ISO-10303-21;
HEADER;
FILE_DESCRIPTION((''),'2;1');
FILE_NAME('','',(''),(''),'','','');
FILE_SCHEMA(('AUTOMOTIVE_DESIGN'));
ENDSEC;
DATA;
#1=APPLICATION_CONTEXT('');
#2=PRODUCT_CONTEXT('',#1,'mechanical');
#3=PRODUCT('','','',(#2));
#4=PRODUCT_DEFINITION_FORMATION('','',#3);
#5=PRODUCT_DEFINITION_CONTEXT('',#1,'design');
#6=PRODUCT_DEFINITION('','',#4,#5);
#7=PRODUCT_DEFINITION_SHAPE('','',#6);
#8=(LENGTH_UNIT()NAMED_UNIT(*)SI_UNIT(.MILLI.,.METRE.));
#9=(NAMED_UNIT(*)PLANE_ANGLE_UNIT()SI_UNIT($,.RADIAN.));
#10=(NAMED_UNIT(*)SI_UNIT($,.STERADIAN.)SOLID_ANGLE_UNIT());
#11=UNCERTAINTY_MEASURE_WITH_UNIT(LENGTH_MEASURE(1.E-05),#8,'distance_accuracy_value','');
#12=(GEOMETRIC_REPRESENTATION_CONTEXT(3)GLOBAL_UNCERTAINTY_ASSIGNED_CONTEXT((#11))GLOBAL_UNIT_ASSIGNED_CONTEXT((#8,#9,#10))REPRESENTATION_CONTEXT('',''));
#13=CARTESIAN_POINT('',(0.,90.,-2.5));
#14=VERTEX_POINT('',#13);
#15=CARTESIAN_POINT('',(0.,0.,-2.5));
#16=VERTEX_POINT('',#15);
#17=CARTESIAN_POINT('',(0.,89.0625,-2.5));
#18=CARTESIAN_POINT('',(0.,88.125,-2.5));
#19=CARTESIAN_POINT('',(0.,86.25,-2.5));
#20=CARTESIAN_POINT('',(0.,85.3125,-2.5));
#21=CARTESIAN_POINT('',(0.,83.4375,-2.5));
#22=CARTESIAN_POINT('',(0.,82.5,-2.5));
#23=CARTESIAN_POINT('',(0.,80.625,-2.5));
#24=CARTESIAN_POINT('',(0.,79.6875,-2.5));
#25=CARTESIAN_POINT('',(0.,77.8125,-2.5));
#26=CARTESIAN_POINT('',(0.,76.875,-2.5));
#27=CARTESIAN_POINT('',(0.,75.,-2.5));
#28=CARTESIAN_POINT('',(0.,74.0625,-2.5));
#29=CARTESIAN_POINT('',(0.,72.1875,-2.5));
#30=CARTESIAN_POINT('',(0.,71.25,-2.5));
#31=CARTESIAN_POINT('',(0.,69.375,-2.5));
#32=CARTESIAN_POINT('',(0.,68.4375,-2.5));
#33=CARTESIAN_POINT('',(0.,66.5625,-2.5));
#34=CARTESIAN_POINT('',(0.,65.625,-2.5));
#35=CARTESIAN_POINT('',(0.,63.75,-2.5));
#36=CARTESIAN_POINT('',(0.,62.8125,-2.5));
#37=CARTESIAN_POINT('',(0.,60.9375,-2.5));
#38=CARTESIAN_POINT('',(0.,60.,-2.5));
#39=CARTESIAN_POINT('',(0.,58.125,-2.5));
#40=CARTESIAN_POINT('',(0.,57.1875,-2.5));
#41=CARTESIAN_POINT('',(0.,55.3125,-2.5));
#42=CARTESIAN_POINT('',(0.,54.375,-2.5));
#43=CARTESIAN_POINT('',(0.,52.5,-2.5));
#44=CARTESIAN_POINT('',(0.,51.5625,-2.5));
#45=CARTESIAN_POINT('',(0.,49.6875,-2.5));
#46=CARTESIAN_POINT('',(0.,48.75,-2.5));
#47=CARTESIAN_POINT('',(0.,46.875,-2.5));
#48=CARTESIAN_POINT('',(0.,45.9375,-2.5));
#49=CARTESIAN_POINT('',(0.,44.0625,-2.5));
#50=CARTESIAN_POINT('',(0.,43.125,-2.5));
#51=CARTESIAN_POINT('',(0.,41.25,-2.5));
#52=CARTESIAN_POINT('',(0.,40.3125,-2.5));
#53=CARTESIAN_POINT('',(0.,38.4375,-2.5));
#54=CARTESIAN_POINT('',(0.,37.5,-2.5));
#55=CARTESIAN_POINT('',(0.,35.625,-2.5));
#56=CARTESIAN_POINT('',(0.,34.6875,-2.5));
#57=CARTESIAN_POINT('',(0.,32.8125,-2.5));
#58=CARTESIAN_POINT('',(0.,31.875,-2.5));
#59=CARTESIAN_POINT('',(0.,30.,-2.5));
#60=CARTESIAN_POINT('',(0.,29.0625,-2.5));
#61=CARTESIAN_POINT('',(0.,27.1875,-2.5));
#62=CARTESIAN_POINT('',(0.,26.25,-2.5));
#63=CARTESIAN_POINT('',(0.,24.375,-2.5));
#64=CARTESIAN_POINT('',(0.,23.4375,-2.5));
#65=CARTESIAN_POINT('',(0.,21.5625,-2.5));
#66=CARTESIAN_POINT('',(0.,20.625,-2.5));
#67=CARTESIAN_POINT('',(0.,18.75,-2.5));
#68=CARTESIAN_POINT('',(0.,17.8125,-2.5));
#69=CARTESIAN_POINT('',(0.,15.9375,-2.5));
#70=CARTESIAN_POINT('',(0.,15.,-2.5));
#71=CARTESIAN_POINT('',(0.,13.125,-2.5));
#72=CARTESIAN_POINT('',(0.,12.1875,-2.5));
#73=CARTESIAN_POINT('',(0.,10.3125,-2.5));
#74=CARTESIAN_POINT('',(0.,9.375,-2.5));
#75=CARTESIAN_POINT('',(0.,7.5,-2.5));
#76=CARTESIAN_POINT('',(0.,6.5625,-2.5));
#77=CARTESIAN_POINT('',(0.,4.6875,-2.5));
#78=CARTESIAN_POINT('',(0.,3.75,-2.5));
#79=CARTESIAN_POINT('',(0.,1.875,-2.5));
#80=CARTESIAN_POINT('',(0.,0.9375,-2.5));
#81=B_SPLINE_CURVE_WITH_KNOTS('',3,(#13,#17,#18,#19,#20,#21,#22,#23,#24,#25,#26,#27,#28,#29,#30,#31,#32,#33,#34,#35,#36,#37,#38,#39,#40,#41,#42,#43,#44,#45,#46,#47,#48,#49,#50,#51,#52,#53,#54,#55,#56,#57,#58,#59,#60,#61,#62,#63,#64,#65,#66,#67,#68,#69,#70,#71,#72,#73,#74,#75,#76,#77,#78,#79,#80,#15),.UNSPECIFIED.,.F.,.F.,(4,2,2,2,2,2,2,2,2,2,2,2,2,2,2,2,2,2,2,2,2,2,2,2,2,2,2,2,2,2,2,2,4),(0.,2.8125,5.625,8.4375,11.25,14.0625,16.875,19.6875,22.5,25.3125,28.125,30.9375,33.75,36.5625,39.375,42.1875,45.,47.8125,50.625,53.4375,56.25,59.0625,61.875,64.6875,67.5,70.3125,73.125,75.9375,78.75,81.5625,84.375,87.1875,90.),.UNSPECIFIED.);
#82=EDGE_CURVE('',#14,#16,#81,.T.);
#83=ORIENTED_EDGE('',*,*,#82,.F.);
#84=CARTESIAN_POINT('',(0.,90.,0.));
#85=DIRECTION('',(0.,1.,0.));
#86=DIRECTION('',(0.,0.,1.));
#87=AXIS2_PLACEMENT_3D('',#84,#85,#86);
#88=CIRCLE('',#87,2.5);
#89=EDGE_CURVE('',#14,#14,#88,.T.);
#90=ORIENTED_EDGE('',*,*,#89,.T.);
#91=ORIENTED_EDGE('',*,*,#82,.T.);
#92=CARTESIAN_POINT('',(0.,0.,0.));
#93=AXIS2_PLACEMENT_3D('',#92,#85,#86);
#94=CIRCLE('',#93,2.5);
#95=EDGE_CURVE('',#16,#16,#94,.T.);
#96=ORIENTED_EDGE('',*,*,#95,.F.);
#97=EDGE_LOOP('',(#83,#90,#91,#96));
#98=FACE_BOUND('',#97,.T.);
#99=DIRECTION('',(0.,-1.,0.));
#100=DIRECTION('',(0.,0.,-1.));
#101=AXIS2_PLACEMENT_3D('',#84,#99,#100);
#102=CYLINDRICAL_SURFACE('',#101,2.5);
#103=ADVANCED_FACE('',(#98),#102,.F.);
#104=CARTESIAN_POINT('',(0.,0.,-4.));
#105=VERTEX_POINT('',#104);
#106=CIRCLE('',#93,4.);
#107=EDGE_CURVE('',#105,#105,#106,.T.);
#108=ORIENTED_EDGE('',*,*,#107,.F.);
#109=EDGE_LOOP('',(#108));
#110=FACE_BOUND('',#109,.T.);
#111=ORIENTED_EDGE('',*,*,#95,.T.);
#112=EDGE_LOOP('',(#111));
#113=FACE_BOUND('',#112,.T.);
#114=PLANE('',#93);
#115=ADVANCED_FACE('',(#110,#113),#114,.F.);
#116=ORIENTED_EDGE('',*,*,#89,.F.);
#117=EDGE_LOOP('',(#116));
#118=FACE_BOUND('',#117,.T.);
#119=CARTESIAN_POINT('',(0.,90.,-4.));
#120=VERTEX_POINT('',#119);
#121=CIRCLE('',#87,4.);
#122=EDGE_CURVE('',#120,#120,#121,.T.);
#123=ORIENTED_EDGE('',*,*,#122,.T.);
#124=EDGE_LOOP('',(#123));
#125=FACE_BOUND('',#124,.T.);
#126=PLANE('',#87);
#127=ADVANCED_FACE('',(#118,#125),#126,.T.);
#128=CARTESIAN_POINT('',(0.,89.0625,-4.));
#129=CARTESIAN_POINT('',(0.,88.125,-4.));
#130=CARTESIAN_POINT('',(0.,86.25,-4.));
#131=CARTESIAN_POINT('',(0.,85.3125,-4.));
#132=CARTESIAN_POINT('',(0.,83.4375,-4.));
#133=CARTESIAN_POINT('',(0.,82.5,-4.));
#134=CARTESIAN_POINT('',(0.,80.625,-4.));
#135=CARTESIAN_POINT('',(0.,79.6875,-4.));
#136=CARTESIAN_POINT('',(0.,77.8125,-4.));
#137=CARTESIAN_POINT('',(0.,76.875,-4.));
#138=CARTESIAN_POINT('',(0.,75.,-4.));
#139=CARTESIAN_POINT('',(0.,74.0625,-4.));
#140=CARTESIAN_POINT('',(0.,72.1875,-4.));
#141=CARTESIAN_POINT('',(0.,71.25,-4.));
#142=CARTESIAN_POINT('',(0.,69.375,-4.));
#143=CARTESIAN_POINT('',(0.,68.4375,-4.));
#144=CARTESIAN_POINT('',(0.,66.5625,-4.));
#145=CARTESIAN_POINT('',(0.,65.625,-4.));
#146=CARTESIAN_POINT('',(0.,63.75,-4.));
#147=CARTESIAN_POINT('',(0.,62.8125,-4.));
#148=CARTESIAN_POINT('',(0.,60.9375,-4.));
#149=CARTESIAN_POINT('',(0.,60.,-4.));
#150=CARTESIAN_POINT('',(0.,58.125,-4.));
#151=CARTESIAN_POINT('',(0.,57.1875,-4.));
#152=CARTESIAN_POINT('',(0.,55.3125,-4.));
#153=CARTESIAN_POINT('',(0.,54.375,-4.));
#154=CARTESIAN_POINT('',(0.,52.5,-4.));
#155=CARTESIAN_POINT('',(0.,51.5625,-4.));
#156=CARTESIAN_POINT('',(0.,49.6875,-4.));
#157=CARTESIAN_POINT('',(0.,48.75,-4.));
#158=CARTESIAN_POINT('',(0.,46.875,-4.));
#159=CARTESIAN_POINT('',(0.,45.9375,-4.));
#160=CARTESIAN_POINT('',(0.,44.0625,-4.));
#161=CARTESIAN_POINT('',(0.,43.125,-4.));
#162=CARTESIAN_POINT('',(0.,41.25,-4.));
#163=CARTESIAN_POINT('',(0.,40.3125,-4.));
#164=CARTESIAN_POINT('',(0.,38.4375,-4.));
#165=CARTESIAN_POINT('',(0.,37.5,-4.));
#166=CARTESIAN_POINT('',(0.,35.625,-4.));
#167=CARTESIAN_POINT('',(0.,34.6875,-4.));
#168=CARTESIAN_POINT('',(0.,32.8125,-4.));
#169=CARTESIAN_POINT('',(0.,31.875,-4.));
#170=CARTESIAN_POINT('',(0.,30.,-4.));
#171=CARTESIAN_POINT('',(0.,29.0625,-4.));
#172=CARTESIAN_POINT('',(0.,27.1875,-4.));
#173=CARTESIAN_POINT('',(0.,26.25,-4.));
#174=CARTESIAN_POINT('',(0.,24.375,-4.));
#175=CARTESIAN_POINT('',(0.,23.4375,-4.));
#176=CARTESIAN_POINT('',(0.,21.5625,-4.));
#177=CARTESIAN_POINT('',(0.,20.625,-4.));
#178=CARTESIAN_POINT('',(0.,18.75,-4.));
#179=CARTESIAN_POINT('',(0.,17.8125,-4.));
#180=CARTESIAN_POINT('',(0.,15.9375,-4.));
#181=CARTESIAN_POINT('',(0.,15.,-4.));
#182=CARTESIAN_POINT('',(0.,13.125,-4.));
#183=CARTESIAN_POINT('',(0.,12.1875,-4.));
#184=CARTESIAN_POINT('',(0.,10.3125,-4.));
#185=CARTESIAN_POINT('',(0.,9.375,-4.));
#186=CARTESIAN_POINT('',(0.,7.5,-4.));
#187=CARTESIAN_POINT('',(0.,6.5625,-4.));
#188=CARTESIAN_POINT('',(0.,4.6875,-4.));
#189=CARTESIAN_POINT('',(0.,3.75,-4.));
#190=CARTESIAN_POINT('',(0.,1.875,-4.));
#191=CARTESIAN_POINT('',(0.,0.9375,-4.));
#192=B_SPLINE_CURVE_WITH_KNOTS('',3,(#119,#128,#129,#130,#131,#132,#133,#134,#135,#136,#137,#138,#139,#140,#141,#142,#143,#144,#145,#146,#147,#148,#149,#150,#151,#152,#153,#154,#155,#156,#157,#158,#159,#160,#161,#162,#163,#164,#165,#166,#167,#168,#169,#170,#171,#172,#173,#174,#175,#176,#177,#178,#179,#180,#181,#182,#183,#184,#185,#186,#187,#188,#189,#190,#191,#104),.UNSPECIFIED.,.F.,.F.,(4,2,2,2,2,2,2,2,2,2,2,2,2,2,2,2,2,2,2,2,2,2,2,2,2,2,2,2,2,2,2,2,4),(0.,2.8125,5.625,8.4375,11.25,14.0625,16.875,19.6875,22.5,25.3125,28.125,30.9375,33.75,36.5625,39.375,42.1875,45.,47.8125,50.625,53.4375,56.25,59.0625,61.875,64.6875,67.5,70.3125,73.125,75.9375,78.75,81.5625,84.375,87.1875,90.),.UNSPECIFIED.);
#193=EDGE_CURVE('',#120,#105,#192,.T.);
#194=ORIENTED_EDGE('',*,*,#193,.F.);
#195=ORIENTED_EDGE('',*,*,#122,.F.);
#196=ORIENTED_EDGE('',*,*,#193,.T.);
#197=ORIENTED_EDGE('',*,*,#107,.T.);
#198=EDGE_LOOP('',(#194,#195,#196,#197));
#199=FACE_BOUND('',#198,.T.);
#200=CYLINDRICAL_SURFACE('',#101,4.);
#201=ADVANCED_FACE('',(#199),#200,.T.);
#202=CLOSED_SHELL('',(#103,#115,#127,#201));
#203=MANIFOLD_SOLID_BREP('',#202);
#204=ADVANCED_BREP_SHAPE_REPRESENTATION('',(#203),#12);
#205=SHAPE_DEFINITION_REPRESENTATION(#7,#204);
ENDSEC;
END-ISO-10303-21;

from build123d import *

# Parameters (mm, degrees)
SZKIC1_R                    = 4
SZKIC1_R_2                  = 2.5
DODANIE_WYCI_GNI_CIE1_DEPTH = 90


with BuildPart() as part:
    # Szkic1 → Dodanie-wyciągnięcie1 (new body)
    with BuildSketch(Plane(origin=(0, 0, 0), x_dir=(1, 0, 0), z_dir=(0, 1, 0))):
        with Locations(Location((0, 0, 0), (0, 0, 90))):
            Circle(SZKIC1_R)
        with Locations(Location((0, 0, 0), (0, 0, 90))):
            Circle(SZKIC1_R_2, mode=Mode.SUBTRACT)
    extrude(amount=DODANIE_WYCI_GNI_CIE1_DEPTH)


solid = part.part
